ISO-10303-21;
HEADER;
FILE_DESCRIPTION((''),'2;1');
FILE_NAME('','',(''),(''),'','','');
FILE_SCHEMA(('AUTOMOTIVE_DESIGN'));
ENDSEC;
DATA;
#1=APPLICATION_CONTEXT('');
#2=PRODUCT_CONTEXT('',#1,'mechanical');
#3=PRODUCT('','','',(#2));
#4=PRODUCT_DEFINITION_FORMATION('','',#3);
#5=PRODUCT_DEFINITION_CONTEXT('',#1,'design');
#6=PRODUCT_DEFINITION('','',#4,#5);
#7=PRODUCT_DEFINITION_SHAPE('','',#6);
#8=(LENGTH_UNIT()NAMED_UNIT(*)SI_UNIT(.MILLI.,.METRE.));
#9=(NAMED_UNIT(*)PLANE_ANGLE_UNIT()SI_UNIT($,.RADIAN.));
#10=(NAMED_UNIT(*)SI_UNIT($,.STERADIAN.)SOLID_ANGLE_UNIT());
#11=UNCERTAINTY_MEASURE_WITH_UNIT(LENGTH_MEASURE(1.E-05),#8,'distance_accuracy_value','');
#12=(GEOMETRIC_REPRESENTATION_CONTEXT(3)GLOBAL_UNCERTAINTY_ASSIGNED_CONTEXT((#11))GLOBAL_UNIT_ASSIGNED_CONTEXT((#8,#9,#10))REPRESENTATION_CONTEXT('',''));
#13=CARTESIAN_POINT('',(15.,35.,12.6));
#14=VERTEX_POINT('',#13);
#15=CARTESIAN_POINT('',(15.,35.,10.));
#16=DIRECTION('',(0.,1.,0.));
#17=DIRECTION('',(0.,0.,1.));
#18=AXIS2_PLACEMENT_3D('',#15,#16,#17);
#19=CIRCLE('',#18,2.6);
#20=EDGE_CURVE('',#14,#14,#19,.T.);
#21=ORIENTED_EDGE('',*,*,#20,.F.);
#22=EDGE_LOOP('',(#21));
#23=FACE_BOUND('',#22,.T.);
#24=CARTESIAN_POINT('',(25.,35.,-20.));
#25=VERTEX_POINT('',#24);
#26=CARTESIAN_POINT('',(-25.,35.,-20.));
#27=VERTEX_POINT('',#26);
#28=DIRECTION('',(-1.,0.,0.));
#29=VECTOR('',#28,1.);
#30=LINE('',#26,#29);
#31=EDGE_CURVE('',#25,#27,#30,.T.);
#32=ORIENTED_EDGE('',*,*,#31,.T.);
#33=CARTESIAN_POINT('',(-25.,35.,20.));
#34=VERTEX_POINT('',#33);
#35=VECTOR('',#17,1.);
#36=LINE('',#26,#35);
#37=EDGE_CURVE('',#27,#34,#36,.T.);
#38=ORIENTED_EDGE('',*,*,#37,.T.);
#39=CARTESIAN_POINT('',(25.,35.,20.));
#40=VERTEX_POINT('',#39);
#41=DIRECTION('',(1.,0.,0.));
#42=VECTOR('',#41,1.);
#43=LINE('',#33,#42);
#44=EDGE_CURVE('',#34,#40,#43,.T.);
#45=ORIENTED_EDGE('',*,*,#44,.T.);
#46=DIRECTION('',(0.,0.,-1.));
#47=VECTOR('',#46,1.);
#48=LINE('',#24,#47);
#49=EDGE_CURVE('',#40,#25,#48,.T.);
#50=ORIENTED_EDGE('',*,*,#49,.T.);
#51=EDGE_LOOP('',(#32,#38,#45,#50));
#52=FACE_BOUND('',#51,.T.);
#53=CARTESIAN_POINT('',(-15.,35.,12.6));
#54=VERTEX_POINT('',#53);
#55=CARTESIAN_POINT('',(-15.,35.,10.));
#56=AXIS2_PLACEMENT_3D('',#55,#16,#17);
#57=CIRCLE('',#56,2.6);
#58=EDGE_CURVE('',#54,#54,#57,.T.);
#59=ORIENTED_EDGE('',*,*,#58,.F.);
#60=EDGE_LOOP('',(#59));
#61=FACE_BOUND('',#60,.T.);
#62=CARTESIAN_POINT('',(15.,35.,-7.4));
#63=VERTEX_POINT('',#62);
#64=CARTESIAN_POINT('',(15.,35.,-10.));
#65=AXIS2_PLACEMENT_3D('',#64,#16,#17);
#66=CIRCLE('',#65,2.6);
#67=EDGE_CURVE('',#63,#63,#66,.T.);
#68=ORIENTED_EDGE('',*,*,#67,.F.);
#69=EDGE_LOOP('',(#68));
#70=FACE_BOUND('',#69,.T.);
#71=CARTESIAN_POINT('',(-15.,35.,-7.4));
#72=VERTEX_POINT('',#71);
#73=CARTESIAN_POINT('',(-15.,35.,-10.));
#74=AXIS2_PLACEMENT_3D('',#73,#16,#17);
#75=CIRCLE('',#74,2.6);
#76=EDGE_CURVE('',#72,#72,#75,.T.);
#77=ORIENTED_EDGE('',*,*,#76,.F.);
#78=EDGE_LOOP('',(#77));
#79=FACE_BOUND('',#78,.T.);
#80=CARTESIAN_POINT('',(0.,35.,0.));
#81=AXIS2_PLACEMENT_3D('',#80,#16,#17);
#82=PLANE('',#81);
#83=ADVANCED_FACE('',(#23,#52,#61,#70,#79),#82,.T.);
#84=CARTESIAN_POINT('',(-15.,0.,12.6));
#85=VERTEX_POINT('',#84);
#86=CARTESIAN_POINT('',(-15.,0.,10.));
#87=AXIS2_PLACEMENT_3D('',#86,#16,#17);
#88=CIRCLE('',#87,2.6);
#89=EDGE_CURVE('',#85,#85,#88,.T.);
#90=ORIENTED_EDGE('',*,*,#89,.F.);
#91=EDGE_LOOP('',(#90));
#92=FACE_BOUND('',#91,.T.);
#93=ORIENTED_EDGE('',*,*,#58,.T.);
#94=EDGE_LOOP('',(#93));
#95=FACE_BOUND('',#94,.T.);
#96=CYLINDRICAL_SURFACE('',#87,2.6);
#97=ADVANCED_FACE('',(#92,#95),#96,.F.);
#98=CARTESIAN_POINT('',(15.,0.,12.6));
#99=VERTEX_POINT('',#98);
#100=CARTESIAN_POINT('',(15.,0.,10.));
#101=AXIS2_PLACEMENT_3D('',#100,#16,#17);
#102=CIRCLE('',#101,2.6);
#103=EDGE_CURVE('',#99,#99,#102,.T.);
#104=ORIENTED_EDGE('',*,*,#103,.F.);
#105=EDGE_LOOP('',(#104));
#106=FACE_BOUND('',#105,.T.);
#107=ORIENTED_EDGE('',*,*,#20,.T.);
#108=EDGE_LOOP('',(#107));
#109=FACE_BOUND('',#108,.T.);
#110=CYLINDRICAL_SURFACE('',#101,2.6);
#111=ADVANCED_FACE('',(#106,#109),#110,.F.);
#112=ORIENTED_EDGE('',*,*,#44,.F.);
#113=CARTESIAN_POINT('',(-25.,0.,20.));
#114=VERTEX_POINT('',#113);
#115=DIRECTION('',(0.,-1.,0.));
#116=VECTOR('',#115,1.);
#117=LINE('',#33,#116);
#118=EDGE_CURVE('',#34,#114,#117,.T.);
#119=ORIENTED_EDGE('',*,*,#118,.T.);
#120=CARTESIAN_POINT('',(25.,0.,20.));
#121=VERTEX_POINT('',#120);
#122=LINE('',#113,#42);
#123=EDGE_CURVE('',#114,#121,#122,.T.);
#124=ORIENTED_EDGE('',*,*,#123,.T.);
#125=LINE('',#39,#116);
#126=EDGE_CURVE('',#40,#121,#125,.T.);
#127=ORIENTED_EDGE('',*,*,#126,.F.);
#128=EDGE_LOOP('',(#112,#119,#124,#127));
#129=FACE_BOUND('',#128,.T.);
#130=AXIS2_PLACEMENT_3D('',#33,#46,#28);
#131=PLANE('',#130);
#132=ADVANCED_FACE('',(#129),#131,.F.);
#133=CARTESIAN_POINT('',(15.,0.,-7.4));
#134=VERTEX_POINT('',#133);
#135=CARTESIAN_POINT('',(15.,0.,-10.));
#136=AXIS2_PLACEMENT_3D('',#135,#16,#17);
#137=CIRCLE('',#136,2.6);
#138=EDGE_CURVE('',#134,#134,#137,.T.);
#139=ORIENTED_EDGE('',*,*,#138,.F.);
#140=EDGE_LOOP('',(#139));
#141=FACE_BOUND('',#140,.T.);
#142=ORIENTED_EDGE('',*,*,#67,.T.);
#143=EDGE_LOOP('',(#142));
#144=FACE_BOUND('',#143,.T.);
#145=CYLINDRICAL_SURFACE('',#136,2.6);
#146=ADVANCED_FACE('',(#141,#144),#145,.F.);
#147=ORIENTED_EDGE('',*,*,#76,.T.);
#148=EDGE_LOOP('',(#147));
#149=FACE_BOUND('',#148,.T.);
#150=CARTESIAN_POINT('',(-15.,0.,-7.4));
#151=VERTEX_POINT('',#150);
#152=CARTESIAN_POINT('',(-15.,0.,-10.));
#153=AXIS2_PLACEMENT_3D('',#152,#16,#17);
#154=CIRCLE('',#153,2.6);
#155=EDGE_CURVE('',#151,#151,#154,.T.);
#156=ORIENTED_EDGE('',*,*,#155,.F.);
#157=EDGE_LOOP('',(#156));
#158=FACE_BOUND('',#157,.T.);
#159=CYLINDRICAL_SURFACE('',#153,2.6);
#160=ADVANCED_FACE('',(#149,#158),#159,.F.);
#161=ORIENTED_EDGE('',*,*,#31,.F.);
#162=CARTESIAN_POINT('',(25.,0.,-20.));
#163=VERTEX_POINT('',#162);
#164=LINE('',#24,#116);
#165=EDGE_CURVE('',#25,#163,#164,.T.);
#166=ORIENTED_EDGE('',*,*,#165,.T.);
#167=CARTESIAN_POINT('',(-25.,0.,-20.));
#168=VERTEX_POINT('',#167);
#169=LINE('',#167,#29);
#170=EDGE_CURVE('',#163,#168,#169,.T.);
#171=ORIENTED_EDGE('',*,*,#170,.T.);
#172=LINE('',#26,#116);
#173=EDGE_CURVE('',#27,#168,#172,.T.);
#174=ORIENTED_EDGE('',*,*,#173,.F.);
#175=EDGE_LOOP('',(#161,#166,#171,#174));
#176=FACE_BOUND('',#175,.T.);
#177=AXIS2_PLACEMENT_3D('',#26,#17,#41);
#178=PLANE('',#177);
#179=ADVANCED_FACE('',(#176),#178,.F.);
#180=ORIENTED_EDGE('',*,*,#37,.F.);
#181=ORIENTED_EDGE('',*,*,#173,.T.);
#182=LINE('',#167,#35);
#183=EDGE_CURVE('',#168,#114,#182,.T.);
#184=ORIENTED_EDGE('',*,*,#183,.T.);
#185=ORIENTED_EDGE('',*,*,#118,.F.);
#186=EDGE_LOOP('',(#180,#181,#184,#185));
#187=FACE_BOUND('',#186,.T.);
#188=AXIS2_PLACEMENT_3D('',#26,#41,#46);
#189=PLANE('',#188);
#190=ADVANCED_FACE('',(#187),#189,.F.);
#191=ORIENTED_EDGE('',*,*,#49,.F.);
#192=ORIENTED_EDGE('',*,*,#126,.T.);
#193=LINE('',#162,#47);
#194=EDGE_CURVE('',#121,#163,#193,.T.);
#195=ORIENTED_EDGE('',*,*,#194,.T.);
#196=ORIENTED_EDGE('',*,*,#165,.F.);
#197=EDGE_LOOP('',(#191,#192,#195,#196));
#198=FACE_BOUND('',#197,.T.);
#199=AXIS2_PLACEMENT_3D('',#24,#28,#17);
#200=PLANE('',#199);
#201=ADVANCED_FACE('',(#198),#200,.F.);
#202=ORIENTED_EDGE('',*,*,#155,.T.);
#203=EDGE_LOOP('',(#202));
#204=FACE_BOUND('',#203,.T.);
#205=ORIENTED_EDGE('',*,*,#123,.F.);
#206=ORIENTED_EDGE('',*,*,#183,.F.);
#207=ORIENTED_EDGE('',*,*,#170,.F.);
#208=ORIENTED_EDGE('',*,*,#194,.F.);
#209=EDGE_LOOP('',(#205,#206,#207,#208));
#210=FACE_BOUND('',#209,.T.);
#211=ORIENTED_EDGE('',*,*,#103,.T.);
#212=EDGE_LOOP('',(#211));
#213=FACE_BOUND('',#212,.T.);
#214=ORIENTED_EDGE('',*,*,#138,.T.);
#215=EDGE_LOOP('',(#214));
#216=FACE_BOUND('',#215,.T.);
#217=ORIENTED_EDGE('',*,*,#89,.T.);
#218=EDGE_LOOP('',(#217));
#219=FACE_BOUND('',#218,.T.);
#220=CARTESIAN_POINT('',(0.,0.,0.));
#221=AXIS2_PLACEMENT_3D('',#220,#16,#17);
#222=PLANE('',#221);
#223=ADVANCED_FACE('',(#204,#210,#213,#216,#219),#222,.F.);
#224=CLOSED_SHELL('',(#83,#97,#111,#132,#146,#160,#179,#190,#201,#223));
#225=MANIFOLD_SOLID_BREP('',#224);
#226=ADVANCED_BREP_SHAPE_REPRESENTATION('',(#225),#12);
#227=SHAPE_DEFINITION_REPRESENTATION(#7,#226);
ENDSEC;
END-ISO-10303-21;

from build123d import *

# Parameters (mm, degrees)
SKETCH_1_W          = 50
SKETCH_1_H          = 40
EXTRUDE_1_DEPTH     = 35
SKETCH_2_R          = 2.6
CUT_EXTRUDE_1_DEPTH = 48.434164903


with BuildPart() as part:
    # 草图1 → 凸台-拉伸1 (new body)
    with BuildSketch(Plane(origin=(0, 0, 0), x_dir=(1, 0, 0), z_dir=(0, 1, 0))):
        Rectangle(SKETCH_1_W, SKETCH_1_H)
    extrude(amount=EXTRUDE_1_DEPTH)

    # 草图2 → 切除-拉伸1 (cut, through all)
    with BuildSketch(Plane(origin=(0, 35, 0), x_dir=(1, 0, 0), z_dir=(0, 1, 0))):
        with Locations(Location((-15, -10, 0), (0, 0, 270))):
            Circle(SKETCH_2_R)
        with Locations(Location((15, -10, 0), (0, 0, 270))):
            Circle(SKETCH_2_R)
        with Locations(Location((-15, 10, 0), (0, 0, 270))):
            Circle(SKETCH_2_R)
        with Locations(Location((15, 10, 0), (0, 0, 270))):
            Circle(SKETCH_2_R)
    extrude(amount=-CUT_EXTRUDE_1_DEPTH, mode=Mode.SUBTRACT)


solid = part.part
